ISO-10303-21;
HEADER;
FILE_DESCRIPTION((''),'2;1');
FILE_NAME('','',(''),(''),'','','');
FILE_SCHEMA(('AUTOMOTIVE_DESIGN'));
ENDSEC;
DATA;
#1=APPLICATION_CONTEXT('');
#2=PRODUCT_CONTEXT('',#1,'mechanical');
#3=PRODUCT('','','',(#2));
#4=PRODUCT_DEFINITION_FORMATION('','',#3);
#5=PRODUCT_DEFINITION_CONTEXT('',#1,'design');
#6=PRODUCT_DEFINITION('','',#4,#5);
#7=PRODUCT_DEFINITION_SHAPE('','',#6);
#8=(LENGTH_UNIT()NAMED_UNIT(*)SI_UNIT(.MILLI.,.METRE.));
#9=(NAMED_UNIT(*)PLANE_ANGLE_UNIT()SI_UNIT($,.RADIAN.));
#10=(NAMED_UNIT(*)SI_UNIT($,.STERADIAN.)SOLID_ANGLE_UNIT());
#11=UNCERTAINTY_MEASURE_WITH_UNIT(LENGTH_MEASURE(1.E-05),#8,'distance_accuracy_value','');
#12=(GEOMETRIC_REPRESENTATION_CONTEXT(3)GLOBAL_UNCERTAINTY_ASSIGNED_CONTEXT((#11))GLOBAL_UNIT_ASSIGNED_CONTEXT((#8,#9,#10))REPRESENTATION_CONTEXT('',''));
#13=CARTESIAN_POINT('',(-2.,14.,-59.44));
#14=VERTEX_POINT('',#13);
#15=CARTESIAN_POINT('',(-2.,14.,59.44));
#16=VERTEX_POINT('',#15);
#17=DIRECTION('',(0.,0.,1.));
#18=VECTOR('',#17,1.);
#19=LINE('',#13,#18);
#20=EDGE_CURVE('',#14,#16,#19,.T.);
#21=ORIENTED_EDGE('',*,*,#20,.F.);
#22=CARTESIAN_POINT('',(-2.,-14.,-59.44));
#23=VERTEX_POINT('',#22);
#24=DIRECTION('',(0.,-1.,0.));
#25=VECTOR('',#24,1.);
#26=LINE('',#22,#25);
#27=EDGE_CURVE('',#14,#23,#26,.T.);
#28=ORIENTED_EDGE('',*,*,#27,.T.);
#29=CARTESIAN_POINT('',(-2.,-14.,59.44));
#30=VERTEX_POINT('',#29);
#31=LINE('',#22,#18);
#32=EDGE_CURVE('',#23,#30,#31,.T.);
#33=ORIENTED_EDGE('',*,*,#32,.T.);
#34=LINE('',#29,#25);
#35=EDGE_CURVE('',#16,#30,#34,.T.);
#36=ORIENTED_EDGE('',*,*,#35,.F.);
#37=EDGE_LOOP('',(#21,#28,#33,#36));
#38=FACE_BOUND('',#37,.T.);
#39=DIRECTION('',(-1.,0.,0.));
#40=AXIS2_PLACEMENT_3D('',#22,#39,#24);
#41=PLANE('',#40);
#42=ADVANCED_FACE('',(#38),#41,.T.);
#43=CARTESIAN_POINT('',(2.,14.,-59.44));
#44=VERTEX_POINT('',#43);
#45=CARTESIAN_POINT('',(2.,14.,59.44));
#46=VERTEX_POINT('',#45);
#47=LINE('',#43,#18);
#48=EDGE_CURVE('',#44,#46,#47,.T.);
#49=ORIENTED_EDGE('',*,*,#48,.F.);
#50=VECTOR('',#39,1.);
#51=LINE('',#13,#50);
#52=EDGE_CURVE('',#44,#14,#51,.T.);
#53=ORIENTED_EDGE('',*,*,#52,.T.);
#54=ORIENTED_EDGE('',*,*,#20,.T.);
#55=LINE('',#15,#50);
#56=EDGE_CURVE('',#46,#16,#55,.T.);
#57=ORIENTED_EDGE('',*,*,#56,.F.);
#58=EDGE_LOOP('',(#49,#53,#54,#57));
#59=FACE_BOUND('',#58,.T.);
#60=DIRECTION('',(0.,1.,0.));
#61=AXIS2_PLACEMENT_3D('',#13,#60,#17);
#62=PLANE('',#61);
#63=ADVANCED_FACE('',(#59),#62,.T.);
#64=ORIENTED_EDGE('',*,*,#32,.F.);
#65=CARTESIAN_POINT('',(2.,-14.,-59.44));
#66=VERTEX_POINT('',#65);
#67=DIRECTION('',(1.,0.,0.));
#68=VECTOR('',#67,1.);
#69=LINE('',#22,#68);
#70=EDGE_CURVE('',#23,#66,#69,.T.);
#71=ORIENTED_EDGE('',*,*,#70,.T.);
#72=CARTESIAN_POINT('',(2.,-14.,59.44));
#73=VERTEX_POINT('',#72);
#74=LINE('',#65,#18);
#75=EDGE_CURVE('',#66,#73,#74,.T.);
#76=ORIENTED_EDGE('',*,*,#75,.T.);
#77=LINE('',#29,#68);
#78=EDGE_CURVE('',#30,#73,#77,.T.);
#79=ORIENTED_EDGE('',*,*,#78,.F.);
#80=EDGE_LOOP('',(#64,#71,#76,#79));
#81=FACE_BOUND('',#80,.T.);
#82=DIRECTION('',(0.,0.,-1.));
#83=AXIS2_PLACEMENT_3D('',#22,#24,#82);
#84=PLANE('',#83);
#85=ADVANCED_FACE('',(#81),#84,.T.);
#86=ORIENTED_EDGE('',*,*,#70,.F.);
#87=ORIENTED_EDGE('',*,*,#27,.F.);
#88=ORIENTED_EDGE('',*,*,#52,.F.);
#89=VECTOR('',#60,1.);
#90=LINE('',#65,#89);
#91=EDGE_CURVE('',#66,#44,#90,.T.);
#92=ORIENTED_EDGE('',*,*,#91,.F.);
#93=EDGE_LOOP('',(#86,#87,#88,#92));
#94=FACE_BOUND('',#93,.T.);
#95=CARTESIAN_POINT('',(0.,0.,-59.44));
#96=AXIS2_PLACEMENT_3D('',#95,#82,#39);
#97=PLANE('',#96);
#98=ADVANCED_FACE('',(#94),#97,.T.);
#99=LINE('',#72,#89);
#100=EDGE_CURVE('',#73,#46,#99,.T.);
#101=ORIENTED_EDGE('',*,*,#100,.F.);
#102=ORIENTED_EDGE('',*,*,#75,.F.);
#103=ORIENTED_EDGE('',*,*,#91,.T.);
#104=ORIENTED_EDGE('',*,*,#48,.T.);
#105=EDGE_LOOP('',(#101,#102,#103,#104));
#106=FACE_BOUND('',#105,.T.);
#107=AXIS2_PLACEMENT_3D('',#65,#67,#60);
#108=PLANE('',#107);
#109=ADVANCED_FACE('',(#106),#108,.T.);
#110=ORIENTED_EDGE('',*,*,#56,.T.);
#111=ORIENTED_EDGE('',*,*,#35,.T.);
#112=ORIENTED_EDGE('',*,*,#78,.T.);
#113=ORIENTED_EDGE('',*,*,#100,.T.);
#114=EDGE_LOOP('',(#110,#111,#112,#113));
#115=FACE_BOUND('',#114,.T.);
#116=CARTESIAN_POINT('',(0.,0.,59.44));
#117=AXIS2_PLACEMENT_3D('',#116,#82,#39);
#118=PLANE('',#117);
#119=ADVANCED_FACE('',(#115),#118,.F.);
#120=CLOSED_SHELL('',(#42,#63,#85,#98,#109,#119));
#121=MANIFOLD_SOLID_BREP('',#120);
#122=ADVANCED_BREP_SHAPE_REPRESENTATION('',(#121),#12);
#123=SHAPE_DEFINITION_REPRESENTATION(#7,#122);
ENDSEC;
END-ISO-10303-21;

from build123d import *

# Parameters (mm, degrees)
BOSS_EXTRUDE1_DEPTH      = 59.44
BOSS_EXTRUDE1_DEPTH_BACK = 59.44
SKETCH1_W                = 4
SKETCH1_H                = 28


with BuildPart() as part:
    # Sketch1 → Boss-Extrude1 (new, two sides: drawn at the far end of the back side and taken through both)
    with BuildSketch(Plane.XY.offset(-BOSS_EXTRUDE1_DEPTH_BACK)):
        Rectangle(SKETCH1_W, SKETCH1_H)
    extrude(amount=BOSS_EXTRUDE1_DEPTH + BOSS_EXTRUDE1_DEPTH_BACK)


solid = part.part
